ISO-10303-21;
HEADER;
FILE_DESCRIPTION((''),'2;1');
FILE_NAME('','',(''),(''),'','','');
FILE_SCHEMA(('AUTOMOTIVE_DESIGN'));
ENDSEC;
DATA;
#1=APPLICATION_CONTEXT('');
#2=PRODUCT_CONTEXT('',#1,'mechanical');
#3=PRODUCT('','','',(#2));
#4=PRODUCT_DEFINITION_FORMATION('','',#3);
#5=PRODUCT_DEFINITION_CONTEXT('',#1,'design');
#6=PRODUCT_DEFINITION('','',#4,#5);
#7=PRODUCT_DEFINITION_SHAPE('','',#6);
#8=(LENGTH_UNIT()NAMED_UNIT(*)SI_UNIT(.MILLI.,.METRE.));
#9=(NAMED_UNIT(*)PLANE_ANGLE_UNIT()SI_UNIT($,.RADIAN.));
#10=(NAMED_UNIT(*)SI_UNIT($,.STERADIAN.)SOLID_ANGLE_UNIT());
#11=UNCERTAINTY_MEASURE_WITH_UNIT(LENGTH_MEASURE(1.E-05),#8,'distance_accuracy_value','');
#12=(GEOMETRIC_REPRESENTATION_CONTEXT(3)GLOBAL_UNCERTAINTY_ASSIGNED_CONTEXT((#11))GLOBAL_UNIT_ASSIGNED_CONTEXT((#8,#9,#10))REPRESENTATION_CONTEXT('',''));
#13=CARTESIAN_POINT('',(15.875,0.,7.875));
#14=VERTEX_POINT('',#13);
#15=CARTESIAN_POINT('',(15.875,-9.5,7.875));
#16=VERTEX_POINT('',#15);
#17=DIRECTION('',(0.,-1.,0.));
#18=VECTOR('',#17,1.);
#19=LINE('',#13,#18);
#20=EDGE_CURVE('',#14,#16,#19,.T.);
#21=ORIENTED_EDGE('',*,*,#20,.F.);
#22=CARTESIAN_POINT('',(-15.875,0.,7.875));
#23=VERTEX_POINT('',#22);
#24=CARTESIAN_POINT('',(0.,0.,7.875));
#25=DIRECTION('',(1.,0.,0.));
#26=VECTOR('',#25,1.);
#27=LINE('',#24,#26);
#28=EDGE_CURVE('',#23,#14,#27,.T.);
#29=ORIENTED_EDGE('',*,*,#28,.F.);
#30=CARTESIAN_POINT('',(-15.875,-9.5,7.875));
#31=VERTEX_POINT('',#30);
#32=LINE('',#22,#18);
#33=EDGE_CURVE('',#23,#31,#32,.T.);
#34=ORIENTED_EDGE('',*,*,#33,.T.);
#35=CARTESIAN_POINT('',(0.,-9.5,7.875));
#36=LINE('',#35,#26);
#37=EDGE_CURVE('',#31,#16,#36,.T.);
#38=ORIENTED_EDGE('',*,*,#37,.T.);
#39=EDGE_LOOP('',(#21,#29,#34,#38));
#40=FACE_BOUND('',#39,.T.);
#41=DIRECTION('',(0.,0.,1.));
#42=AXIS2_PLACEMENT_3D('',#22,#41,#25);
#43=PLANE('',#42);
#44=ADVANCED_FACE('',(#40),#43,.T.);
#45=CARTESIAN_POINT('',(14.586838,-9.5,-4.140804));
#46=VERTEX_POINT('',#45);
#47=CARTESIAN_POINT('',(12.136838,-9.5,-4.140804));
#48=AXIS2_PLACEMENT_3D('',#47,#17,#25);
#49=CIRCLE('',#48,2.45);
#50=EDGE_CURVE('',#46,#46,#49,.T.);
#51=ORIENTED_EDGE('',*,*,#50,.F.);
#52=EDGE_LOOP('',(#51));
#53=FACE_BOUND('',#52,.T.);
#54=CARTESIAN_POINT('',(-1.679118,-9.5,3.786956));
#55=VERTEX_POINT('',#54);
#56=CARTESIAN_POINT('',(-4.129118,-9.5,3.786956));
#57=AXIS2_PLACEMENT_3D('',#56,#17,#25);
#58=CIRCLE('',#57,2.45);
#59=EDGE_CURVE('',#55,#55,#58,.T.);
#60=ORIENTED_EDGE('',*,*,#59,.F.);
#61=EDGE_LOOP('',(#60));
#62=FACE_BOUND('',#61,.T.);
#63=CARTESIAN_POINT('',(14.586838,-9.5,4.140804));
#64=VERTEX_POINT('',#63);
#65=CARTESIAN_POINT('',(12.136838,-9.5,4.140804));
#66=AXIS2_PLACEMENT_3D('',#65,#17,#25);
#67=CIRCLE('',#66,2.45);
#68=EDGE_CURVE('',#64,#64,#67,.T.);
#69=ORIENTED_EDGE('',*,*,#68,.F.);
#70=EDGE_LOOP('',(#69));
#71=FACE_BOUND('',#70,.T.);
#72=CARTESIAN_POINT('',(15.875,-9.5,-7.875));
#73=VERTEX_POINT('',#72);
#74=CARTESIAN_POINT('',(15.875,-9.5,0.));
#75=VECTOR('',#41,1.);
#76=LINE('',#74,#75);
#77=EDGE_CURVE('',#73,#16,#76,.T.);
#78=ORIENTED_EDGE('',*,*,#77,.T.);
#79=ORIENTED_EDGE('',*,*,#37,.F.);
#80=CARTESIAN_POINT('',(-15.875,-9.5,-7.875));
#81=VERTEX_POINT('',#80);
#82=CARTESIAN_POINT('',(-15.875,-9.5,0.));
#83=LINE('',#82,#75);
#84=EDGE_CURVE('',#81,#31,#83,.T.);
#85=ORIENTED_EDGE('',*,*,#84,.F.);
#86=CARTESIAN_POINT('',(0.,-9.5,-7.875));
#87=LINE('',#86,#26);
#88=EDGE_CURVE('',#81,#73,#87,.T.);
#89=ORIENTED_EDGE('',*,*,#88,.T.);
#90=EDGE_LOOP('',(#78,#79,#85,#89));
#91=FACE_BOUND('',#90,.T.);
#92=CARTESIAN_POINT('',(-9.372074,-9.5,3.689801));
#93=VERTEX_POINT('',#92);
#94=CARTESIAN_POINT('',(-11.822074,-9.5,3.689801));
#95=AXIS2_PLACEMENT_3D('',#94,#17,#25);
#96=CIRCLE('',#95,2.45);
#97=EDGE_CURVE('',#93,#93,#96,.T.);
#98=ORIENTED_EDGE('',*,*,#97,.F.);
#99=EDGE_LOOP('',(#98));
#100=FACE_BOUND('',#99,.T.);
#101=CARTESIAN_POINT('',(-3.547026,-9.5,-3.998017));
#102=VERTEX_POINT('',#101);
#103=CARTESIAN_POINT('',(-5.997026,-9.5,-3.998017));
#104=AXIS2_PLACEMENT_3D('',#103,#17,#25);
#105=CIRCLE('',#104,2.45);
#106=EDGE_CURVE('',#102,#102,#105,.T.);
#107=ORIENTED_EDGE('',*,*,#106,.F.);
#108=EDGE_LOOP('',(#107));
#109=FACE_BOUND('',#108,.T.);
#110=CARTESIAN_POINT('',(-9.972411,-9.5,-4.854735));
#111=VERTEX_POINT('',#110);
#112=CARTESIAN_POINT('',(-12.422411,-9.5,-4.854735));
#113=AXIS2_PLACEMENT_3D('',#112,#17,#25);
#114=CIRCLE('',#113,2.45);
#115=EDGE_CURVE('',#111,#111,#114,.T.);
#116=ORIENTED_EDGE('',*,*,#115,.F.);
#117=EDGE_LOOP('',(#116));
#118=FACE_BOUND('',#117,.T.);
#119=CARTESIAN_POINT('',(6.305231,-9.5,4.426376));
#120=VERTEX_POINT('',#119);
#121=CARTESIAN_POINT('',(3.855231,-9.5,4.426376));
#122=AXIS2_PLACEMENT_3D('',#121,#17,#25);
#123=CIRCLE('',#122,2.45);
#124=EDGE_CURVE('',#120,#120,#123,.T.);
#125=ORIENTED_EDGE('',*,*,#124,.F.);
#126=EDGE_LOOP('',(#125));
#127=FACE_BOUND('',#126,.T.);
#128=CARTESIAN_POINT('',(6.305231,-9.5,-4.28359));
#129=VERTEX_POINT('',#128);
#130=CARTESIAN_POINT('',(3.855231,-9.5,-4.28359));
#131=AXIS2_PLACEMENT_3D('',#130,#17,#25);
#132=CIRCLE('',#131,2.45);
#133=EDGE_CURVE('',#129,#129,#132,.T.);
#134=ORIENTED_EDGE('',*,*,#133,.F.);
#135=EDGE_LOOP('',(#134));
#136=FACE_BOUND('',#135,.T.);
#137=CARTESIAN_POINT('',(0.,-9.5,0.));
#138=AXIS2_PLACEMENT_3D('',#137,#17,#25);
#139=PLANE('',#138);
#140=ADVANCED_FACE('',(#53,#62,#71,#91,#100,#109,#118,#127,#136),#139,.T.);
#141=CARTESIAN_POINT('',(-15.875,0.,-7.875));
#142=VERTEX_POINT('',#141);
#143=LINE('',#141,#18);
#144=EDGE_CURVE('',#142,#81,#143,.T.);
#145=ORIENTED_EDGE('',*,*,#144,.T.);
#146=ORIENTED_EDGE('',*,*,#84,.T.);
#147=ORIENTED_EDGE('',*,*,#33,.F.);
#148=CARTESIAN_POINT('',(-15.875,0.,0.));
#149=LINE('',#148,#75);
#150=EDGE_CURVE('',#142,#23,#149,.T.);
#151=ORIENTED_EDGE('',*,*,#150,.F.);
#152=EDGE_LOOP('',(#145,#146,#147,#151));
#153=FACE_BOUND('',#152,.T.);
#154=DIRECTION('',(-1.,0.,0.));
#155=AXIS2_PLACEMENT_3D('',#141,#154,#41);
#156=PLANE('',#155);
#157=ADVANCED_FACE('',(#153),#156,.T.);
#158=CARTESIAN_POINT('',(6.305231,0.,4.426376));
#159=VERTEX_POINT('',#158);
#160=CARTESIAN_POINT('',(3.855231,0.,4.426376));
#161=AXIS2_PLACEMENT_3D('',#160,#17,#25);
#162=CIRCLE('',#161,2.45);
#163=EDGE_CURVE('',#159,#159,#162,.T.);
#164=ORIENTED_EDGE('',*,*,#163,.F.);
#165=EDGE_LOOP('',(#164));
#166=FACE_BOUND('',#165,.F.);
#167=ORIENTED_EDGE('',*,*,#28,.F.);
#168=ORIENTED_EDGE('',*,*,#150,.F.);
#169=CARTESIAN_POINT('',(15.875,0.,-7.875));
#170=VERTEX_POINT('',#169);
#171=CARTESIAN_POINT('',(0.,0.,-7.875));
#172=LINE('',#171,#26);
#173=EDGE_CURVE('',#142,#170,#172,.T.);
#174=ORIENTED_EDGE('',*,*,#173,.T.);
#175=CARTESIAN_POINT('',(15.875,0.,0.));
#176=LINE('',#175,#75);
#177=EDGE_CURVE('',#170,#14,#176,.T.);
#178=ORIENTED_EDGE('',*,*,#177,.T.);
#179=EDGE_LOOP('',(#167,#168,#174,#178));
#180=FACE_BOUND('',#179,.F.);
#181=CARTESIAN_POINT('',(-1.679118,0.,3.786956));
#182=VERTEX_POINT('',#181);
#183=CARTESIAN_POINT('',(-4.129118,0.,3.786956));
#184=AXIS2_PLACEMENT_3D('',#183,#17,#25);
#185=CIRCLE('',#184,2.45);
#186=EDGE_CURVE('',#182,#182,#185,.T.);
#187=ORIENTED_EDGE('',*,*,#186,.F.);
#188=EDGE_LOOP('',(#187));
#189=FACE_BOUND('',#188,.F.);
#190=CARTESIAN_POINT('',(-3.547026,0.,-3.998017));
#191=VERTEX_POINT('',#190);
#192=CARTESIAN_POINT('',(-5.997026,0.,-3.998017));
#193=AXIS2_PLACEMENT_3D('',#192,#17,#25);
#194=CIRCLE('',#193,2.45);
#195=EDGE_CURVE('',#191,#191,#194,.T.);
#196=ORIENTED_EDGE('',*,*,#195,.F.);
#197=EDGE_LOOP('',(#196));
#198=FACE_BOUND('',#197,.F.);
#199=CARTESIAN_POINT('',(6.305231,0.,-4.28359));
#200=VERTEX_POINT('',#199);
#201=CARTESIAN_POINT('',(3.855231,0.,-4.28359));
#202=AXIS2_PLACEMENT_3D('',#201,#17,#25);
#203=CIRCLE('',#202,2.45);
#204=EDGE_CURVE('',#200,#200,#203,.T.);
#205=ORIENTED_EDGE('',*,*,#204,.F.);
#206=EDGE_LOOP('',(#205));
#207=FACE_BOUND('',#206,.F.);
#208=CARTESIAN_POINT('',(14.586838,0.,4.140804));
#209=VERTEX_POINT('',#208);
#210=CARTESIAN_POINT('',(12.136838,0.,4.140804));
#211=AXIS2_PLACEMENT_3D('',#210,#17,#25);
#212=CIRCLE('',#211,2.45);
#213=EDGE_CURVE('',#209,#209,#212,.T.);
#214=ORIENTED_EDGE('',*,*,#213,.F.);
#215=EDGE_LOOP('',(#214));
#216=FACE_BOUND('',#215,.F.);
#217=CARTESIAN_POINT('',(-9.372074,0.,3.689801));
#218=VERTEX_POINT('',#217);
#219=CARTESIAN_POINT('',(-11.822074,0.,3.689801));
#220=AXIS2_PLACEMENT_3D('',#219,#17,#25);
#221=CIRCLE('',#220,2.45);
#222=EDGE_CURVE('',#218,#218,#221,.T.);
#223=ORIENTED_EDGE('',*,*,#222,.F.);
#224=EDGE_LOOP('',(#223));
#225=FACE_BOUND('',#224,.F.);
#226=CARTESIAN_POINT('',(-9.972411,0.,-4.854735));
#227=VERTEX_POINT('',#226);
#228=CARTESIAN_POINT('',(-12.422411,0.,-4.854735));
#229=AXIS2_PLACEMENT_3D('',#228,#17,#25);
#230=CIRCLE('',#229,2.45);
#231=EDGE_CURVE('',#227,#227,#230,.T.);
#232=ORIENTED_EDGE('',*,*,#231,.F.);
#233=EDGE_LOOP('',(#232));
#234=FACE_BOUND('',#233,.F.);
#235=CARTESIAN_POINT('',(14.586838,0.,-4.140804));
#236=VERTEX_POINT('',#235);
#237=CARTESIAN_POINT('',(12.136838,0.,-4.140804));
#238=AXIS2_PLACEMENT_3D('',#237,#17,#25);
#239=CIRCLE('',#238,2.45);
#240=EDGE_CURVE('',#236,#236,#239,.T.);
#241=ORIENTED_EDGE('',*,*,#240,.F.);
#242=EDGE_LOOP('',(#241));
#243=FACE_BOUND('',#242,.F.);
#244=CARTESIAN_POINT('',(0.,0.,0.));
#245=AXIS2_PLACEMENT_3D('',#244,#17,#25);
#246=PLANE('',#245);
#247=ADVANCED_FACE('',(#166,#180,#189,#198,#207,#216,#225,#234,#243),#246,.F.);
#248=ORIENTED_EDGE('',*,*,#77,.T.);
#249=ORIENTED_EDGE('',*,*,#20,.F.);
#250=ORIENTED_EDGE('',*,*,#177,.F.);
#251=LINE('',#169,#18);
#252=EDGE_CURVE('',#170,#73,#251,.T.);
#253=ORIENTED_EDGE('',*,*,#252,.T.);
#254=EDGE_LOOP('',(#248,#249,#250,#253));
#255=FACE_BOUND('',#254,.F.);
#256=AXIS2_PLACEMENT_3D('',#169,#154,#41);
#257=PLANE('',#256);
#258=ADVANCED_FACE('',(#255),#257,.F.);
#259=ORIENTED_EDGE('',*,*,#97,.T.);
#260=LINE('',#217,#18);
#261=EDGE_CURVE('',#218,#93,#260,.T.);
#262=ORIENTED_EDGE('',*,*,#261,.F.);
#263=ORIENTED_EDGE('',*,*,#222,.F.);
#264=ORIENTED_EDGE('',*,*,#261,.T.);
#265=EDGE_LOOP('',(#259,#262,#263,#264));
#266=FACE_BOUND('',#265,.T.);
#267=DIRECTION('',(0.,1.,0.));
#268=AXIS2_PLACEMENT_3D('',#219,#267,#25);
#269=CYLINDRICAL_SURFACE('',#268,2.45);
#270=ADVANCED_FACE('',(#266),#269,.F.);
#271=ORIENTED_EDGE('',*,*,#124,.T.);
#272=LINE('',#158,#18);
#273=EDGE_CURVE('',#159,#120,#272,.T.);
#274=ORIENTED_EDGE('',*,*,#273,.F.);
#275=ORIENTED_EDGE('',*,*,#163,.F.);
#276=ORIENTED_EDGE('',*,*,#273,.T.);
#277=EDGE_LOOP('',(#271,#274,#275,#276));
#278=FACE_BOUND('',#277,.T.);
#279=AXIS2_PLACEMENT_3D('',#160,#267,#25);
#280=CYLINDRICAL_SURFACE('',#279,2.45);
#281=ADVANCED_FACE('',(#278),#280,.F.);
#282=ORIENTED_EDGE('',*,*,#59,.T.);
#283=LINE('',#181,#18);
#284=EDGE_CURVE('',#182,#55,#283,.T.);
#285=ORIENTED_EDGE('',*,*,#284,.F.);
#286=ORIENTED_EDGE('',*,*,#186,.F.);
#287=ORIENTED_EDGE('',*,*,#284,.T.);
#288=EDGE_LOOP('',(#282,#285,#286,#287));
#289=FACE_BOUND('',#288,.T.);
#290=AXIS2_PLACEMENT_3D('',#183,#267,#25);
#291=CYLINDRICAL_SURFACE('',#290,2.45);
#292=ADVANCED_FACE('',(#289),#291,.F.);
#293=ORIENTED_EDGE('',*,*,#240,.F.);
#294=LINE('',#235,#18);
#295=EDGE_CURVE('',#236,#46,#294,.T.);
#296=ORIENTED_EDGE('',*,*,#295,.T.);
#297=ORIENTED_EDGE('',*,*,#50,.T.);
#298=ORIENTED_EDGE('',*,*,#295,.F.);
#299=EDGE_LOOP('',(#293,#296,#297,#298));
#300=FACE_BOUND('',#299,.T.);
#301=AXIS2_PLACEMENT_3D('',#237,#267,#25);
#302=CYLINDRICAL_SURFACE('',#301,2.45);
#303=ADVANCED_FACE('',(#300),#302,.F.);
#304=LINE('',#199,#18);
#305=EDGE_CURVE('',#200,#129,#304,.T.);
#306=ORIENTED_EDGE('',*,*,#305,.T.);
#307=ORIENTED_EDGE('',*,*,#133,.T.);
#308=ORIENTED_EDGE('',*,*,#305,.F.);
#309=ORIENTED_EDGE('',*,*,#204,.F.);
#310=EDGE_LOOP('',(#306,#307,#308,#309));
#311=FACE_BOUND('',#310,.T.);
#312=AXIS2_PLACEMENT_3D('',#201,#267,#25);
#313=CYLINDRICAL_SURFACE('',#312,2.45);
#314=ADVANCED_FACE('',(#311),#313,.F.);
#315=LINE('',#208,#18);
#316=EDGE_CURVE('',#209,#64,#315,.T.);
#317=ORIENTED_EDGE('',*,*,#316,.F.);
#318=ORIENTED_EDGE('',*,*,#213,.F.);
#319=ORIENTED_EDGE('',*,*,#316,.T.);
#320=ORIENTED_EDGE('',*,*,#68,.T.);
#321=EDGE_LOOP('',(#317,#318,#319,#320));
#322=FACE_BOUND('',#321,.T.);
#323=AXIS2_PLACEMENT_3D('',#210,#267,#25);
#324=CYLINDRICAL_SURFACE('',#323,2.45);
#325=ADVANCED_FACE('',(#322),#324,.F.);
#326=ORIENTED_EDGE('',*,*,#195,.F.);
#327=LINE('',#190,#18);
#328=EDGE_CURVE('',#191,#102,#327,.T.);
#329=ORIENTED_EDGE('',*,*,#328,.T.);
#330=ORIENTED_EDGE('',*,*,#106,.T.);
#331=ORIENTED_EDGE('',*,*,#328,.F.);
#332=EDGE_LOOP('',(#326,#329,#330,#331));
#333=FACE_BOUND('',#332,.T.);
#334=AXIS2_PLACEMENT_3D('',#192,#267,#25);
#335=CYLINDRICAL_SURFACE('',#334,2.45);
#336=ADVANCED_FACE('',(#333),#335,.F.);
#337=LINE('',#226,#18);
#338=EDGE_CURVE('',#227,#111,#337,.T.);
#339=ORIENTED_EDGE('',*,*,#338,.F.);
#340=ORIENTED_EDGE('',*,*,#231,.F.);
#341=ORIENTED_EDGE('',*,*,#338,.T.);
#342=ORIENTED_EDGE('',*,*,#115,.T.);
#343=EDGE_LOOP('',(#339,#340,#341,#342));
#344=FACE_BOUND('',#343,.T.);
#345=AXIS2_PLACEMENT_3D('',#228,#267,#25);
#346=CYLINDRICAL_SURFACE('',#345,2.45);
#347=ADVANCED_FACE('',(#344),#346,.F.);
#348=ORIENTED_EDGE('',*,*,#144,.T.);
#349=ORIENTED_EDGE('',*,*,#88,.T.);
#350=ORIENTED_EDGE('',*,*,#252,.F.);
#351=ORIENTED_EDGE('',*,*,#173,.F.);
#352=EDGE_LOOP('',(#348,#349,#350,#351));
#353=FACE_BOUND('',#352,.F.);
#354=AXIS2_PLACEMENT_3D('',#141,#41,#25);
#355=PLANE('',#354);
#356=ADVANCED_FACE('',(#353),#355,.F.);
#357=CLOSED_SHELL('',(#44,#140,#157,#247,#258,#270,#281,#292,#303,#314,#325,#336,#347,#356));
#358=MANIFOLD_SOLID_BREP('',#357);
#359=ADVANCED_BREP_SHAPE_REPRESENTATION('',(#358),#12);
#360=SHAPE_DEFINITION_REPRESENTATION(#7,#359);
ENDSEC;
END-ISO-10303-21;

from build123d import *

# Parameters (mm, degrees)
F0_W     = 31.75
F0_H     = 15.75
F0_R     = 2.45
F1_DEPTH = 9.5


with BuildPart() as f1:
    # F0 (on Front) → F1 (new body)
    with BuildSketch(Plane.XZ):
        Rectangle(F0_W, F0_H)
        with Locations((-12.422411, -4.854735)):
            Circle(F0_R, mode=Mode.SUBTRACT)
        with Locations((-5.997026, -3.998017)):
            Circle(F0_R, mode=Mode.SUBTRACT)
        with Locations((3.855231, -4.28359)):
            Circle(F0_R, mode=Mode.SUBTRACT)
        with Locations((12.136838, -4.140804)):
            Circle(F0_R, mode=Mode.SUBTRACT)
        with Locations((-11.822074, 3.689801)):
            Circle(F0_R, mode=Mode.SUBTRACT)
        with Locations((-4.129118, 3.786956)):
            Circle(F0_R, mode=Mode.SUBTRACT)
        with Locations((3.855231, 4.426376)):
            Circle(F0_R, mode=Mode.SUBTRACT)
        with Locations((12.136838, 4.140804)):
            Circle(F0_R, mode=Mode.SUBTRACT)
    extrude(amount=F1_DEPTH)


solid = f1.part
